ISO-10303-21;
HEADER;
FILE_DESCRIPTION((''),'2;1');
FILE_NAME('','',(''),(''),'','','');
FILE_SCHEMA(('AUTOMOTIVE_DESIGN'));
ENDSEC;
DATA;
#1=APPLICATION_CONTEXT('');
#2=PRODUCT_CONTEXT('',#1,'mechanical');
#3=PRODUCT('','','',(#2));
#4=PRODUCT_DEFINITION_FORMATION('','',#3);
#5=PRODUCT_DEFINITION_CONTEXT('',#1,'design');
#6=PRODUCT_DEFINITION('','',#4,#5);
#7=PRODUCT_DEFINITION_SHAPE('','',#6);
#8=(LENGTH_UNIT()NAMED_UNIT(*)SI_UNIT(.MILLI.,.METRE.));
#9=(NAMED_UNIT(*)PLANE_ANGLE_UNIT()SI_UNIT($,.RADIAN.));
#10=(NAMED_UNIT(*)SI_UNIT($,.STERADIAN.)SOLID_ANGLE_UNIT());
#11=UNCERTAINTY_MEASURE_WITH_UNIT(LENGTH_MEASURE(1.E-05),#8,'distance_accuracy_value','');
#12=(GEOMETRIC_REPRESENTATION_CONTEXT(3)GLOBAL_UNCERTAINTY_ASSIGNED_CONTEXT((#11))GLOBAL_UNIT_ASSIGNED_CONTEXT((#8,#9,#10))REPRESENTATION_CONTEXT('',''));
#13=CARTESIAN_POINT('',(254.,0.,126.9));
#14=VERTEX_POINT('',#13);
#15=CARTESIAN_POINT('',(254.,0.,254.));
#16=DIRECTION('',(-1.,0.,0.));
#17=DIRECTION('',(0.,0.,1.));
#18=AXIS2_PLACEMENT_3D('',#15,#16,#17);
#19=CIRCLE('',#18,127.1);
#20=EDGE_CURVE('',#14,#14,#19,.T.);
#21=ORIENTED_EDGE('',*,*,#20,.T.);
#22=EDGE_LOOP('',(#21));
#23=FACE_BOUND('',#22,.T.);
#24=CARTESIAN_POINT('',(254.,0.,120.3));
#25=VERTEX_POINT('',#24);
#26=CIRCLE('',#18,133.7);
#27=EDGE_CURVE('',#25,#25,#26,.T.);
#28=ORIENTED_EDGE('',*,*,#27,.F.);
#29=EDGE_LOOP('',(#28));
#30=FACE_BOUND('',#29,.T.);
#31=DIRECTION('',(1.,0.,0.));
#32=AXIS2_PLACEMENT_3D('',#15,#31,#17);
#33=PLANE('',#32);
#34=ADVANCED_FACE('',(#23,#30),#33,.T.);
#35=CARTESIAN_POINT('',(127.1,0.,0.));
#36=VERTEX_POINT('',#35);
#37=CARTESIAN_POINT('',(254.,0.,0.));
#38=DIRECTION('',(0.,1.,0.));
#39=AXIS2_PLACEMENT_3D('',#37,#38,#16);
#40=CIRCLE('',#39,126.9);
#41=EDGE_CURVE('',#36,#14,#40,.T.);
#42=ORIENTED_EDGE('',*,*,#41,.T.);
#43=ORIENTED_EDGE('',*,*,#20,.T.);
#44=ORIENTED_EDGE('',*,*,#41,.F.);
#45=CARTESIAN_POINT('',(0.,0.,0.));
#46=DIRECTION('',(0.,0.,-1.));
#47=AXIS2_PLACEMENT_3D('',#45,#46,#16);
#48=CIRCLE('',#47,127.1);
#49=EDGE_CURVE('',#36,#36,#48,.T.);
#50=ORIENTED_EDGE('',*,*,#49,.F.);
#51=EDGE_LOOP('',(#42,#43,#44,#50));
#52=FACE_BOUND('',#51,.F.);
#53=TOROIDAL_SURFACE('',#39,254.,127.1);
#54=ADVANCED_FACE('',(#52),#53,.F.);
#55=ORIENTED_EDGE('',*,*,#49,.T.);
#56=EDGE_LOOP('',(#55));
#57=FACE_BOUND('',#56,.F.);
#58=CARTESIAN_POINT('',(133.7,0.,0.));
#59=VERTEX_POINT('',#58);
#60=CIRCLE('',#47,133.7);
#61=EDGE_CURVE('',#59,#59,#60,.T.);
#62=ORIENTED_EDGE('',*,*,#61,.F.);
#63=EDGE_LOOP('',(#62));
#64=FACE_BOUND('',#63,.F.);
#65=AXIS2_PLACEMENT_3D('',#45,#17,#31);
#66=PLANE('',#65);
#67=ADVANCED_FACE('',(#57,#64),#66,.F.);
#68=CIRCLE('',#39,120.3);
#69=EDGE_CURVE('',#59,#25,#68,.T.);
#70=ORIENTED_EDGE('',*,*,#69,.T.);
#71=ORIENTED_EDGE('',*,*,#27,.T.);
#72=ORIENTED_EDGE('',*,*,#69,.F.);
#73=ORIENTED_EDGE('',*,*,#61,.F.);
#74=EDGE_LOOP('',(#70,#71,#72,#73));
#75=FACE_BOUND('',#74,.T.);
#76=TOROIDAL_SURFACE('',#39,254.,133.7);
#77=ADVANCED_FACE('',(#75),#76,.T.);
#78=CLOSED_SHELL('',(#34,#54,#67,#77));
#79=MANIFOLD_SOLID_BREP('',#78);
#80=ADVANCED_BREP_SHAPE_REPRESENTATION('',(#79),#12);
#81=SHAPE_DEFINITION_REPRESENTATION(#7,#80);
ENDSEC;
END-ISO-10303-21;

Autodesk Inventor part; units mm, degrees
ref_plane "YZ Plane" through (0, 0, 0) normal (1, 0, 0) x (0, 1, 0)
ref_plane "XZ Plane" through (0, 0, 0) normal (0, 1, 0) x (-1, 0, 0)
ref_plane "XY Plane" through (0, 0, 0) normal (0, 0, 1) x (1, 0, 0)
sketch "Sketch1" plane through (0, 0, 0) normal (0, 0, 1) x (1, 0, 0)
  circle A0 centre (0, 0) radius 127.1
  circle A1 centre (0, 0) radius 133.7
  dimension "d0" = 254.2
  dimension "d1" = 267.4
sketch "Sketch2" plane through (0, 0, 0) normal (0, 1, 0) x (-1, 0, 0)
  line L0 (0, 0) -> (0, 254) construction
  line L1 (0, 254) -> (-254, 254) construction
  arc A0 (0, 0) -> (-254, 254) centre (-254, 0) ccw
  dimension "d2" = 254
  dimension "d3" = 90
  dimension "d4" = 254
sweep "Sweep1" add profiles "Sketch1" path "Sketch2"
equation "\"d0\" = D - 2 * T"
equation "\"d1\" = D"
equation "\"d2\" = F1"
equation "\"d4\" = F1"
equation "\"D\" = 267.4"
equation "\"F1\" = 254"
equation "\"T\" = 6.6"
equation "\"Size_Designation\" = 1.2345"
properties part number "JIS B 2311 90 Deg Short Elbow Steel - 250A" material "Steel"
